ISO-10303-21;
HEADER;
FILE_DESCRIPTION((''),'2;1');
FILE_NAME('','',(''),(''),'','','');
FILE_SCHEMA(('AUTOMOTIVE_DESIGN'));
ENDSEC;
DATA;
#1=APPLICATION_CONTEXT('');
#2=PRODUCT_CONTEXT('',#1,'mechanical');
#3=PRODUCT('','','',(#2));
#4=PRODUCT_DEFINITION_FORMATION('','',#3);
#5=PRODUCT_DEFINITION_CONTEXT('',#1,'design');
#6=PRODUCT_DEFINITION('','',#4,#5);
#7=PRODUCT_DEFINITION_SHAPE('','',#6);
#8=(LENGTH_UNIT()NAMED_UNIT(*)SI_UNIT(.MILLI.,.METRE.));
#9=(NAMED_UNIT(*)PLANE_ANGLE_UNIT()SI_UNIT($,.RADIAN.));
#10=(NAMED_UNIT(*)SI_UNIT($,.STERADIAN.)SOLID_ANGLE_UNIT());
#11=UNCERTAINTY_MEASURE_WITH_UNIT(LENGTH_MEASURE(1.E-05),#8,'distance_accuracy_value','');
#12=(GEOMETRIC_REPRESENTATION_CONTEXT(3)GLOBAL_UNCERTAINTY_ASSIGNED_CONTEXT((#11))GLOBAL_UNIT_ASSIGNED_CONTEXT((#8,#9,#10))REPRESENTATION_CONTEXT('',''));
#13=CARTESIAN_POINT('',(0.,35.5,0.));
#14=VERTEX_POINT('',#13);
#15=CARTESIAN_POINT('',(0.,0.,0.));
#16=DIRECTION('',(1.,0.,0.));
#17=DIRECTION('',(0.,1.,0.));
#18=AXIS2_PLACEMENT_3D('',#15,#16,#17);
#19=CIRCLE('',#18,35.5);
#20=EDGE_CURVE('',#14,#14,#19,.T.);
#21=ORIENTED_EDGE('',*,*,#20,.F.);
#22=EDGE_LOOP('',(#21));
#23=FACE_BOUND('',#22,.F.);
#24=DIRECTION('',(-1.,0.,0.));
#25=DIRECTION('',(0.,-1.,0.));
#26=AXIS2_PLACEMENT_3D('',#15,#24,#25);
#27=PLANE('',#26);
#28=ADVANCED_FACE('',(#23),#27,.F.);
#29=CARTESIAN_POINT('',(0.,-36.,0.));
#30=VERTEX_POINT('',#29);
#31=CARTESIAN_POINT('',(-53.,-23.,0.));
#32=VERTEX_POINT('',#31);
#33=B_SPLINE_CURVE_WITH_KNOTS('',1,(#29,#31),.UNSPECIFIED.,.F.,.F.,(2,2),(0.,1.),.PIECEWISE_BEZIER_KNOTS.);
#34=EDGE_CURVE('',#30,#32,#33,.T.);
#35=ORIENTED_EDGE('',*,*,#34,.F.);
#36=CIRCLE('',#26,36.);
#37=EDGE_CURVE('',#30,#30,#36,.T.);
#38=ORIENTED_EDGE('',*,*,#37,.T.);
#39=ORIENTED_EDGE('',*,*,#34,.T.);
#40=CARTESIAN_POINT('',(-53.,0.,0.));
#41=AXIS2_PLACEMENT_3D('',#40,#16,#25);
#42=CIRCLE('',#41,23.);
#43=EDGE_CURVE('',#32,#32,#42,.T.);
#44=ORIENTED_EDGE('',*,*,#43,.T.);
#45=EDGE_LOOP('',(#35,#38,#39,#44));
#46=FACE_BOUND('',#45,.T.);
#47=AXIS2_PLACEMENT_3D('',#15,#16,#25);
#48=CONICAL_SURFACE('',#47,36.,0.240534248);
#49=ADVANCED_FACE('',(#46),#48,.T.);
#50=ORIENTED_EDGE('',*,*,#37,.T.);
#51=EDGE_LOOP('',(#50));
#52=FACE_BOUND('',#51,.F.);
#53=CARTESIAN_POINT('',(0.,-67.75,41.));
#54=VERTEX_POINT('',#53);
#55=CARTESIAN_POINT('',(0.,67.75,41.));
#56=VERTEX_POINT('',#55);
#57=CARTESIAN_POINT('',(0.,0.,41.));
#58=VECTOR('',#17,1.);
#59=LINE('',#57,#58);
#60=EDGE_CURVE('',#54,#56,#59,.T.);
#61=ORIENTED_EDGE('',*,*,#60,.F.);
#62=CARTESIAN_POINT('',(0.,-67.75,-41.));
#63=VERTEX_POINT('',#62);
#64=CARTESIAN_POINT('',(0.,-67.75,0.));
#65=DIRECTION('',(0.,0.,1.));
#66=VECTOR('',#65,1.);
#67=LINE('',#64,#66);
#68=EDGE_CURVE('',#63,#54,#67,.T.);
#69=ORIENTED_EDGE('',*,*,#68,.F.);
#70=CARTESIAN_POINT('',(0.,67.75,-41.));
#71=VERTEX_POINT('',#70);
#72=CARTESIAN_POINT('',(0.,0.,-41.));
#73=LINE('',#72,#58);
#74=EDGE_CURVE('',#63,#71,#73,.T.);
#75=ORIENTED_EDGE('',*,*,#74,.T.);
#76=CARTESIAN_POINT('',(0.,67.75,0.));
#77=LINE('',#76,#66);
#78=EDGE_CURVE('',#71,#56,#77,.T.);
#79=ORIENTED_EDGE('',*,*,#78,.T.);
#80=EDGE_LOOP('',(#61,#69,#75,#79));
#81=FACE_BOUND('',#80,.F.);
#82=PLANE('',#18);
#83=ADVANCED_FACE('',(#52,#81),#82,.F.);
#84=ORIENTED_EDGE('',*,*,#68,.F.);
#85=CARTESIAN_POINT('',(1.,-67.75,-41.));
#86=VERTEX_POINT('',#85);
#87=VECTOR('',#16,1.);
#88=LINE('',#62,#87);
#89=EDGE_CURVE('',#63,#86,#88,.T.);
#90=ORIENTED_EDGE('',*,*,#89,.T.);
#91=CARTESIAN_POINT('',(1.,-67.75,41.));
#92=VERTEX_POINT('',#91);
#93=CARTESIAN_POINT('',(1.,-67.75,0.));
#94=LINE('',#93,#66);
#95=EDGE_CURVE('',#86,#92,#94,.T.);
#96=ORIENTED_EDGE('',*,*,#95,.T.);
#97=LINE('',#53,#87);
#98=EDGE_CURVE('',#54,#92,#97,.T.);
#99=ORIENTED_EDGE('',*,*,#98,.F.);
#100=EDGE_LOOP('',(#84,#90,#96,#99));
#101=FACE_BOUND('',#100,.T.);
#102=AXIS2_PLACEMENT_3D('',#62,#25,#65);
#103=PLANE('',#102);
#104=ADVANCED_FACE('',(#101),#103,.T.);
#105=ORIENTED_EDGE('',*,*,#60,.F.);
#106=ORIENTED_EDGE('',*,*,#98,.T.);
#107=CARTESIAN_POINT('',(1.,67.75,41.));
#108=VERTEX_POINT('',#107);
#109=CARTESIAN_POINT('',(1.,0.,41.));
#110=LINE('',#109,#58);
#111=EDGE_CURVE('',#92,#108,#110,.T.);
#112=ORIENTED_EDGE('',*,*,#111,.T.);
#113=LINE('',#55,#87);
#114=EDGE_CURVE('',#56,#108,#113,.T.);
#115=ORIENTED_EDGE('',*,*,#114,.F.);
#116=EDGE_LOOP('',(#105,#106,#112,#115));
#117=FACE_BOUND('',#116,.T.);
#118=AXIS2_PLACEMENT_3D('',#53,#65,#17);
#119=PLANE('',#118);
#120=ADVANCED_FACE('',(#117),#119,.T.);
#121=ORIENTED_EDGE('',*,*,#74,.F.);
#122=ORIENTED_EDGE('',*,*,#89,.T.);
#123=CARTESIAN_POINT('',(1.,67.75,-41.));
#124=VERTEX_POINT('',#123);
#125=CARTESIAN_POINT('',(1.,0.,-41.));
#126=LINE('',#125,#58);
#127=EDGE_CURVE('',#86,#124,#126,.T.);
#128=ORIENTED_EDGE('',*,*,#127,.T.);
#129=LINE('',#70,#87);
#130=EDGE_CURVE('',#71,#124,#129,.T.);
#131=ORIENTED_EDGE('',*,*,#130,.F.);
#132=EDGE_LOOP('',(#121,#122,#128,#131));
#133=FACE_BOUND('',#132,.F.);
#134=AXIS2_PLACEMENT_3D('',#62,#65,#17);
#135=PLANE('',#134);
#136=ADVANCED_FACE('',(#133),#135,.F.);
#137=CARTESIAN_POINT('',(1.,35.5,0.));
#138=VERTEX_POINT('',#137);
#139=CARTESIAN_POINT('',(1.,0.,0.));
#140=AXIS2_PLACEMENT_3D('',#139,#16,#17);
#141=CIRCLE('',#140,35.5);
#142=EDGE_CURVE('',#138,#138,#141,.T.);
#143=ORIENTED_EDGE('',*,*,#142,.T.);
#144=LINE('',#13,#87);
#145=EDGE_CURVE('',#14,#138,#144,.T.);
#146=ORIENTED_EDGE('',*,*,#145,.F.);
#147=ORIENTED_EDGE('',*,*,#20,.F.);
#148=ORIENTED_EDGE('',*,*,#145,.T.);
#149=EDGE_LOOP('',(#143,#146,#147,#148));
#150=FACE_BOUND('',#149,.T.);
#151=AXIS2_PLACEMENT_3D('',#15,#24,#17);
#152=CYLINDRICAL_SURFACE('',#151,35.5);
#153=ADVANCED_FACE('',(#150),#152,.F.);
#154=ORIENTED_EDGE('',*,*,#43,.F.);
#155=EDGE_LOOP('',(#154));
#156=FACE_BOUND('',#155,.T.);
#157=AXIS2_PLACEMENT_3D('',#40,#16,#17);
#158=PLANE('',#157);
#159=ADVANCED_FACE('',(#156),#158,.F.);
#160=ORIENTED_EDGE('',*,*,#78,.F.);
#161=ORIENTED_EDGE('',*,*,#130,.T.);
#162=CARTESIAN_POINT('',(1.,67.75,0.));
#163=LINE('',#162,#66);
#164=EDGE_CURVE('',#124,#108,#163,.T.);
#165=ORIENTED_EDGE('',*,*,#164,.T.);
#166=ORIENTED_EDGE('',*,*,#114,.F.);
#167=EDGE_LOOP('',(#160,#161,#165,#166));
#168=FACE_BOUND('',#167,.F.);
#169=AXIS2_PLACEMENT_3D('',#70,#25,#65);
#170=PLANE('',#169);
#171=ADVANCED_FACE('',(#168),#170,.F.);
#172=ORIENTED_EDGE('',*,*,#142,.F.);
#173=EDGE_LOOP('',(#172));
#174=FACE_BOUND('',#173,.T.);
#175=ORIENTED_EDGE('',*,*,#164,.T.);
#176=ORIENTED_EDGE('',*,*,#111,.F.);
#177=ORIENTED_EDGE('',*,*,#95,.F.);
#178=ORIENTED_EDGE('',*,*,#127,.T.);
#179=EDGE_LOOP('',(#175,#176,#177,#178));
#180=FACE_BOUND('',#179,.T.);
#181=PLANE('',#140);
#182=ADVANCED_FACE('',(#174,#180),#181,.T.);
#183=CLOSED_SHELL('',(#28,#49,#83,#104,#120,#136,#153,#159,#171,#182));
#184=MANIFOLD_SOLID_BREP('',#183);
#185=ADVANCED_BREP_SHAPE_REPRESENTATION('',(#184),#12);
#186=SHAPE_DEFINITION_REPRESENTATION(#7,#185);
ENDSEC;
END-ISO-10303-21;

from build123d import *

# Parameters (mm, degrees)
F0_W     = 135.5
F0_H     = 82
F0_R     = 35.5
F1_DEPTH = 1
F2_R     = 36
F4_R     = 23


with BuildPart() as f1:
    # F0 (on Right) → F1 (new body)
    with BuildSketch(Plane.YZ):
        Rectangle(F0_W, F0_H)
        Circle(F0_R, mode=Mode.SUBTRACT)
    extrude(amount=F1_DEPTH)

    # F2 (on face) → F5 section 0
    with BuildSketch(Plane(origin=(0, 0, 0), x_dir=(0, -1, 0), z_dir=(-1, 0, 0))):
        Circle(F2_R)
    # F4 (on offset) → F5 section 1
    with BuildSketch(Plane.YZ.offset(-53)):
        Circle(F4_R)
    loft()


solid = f1.part
